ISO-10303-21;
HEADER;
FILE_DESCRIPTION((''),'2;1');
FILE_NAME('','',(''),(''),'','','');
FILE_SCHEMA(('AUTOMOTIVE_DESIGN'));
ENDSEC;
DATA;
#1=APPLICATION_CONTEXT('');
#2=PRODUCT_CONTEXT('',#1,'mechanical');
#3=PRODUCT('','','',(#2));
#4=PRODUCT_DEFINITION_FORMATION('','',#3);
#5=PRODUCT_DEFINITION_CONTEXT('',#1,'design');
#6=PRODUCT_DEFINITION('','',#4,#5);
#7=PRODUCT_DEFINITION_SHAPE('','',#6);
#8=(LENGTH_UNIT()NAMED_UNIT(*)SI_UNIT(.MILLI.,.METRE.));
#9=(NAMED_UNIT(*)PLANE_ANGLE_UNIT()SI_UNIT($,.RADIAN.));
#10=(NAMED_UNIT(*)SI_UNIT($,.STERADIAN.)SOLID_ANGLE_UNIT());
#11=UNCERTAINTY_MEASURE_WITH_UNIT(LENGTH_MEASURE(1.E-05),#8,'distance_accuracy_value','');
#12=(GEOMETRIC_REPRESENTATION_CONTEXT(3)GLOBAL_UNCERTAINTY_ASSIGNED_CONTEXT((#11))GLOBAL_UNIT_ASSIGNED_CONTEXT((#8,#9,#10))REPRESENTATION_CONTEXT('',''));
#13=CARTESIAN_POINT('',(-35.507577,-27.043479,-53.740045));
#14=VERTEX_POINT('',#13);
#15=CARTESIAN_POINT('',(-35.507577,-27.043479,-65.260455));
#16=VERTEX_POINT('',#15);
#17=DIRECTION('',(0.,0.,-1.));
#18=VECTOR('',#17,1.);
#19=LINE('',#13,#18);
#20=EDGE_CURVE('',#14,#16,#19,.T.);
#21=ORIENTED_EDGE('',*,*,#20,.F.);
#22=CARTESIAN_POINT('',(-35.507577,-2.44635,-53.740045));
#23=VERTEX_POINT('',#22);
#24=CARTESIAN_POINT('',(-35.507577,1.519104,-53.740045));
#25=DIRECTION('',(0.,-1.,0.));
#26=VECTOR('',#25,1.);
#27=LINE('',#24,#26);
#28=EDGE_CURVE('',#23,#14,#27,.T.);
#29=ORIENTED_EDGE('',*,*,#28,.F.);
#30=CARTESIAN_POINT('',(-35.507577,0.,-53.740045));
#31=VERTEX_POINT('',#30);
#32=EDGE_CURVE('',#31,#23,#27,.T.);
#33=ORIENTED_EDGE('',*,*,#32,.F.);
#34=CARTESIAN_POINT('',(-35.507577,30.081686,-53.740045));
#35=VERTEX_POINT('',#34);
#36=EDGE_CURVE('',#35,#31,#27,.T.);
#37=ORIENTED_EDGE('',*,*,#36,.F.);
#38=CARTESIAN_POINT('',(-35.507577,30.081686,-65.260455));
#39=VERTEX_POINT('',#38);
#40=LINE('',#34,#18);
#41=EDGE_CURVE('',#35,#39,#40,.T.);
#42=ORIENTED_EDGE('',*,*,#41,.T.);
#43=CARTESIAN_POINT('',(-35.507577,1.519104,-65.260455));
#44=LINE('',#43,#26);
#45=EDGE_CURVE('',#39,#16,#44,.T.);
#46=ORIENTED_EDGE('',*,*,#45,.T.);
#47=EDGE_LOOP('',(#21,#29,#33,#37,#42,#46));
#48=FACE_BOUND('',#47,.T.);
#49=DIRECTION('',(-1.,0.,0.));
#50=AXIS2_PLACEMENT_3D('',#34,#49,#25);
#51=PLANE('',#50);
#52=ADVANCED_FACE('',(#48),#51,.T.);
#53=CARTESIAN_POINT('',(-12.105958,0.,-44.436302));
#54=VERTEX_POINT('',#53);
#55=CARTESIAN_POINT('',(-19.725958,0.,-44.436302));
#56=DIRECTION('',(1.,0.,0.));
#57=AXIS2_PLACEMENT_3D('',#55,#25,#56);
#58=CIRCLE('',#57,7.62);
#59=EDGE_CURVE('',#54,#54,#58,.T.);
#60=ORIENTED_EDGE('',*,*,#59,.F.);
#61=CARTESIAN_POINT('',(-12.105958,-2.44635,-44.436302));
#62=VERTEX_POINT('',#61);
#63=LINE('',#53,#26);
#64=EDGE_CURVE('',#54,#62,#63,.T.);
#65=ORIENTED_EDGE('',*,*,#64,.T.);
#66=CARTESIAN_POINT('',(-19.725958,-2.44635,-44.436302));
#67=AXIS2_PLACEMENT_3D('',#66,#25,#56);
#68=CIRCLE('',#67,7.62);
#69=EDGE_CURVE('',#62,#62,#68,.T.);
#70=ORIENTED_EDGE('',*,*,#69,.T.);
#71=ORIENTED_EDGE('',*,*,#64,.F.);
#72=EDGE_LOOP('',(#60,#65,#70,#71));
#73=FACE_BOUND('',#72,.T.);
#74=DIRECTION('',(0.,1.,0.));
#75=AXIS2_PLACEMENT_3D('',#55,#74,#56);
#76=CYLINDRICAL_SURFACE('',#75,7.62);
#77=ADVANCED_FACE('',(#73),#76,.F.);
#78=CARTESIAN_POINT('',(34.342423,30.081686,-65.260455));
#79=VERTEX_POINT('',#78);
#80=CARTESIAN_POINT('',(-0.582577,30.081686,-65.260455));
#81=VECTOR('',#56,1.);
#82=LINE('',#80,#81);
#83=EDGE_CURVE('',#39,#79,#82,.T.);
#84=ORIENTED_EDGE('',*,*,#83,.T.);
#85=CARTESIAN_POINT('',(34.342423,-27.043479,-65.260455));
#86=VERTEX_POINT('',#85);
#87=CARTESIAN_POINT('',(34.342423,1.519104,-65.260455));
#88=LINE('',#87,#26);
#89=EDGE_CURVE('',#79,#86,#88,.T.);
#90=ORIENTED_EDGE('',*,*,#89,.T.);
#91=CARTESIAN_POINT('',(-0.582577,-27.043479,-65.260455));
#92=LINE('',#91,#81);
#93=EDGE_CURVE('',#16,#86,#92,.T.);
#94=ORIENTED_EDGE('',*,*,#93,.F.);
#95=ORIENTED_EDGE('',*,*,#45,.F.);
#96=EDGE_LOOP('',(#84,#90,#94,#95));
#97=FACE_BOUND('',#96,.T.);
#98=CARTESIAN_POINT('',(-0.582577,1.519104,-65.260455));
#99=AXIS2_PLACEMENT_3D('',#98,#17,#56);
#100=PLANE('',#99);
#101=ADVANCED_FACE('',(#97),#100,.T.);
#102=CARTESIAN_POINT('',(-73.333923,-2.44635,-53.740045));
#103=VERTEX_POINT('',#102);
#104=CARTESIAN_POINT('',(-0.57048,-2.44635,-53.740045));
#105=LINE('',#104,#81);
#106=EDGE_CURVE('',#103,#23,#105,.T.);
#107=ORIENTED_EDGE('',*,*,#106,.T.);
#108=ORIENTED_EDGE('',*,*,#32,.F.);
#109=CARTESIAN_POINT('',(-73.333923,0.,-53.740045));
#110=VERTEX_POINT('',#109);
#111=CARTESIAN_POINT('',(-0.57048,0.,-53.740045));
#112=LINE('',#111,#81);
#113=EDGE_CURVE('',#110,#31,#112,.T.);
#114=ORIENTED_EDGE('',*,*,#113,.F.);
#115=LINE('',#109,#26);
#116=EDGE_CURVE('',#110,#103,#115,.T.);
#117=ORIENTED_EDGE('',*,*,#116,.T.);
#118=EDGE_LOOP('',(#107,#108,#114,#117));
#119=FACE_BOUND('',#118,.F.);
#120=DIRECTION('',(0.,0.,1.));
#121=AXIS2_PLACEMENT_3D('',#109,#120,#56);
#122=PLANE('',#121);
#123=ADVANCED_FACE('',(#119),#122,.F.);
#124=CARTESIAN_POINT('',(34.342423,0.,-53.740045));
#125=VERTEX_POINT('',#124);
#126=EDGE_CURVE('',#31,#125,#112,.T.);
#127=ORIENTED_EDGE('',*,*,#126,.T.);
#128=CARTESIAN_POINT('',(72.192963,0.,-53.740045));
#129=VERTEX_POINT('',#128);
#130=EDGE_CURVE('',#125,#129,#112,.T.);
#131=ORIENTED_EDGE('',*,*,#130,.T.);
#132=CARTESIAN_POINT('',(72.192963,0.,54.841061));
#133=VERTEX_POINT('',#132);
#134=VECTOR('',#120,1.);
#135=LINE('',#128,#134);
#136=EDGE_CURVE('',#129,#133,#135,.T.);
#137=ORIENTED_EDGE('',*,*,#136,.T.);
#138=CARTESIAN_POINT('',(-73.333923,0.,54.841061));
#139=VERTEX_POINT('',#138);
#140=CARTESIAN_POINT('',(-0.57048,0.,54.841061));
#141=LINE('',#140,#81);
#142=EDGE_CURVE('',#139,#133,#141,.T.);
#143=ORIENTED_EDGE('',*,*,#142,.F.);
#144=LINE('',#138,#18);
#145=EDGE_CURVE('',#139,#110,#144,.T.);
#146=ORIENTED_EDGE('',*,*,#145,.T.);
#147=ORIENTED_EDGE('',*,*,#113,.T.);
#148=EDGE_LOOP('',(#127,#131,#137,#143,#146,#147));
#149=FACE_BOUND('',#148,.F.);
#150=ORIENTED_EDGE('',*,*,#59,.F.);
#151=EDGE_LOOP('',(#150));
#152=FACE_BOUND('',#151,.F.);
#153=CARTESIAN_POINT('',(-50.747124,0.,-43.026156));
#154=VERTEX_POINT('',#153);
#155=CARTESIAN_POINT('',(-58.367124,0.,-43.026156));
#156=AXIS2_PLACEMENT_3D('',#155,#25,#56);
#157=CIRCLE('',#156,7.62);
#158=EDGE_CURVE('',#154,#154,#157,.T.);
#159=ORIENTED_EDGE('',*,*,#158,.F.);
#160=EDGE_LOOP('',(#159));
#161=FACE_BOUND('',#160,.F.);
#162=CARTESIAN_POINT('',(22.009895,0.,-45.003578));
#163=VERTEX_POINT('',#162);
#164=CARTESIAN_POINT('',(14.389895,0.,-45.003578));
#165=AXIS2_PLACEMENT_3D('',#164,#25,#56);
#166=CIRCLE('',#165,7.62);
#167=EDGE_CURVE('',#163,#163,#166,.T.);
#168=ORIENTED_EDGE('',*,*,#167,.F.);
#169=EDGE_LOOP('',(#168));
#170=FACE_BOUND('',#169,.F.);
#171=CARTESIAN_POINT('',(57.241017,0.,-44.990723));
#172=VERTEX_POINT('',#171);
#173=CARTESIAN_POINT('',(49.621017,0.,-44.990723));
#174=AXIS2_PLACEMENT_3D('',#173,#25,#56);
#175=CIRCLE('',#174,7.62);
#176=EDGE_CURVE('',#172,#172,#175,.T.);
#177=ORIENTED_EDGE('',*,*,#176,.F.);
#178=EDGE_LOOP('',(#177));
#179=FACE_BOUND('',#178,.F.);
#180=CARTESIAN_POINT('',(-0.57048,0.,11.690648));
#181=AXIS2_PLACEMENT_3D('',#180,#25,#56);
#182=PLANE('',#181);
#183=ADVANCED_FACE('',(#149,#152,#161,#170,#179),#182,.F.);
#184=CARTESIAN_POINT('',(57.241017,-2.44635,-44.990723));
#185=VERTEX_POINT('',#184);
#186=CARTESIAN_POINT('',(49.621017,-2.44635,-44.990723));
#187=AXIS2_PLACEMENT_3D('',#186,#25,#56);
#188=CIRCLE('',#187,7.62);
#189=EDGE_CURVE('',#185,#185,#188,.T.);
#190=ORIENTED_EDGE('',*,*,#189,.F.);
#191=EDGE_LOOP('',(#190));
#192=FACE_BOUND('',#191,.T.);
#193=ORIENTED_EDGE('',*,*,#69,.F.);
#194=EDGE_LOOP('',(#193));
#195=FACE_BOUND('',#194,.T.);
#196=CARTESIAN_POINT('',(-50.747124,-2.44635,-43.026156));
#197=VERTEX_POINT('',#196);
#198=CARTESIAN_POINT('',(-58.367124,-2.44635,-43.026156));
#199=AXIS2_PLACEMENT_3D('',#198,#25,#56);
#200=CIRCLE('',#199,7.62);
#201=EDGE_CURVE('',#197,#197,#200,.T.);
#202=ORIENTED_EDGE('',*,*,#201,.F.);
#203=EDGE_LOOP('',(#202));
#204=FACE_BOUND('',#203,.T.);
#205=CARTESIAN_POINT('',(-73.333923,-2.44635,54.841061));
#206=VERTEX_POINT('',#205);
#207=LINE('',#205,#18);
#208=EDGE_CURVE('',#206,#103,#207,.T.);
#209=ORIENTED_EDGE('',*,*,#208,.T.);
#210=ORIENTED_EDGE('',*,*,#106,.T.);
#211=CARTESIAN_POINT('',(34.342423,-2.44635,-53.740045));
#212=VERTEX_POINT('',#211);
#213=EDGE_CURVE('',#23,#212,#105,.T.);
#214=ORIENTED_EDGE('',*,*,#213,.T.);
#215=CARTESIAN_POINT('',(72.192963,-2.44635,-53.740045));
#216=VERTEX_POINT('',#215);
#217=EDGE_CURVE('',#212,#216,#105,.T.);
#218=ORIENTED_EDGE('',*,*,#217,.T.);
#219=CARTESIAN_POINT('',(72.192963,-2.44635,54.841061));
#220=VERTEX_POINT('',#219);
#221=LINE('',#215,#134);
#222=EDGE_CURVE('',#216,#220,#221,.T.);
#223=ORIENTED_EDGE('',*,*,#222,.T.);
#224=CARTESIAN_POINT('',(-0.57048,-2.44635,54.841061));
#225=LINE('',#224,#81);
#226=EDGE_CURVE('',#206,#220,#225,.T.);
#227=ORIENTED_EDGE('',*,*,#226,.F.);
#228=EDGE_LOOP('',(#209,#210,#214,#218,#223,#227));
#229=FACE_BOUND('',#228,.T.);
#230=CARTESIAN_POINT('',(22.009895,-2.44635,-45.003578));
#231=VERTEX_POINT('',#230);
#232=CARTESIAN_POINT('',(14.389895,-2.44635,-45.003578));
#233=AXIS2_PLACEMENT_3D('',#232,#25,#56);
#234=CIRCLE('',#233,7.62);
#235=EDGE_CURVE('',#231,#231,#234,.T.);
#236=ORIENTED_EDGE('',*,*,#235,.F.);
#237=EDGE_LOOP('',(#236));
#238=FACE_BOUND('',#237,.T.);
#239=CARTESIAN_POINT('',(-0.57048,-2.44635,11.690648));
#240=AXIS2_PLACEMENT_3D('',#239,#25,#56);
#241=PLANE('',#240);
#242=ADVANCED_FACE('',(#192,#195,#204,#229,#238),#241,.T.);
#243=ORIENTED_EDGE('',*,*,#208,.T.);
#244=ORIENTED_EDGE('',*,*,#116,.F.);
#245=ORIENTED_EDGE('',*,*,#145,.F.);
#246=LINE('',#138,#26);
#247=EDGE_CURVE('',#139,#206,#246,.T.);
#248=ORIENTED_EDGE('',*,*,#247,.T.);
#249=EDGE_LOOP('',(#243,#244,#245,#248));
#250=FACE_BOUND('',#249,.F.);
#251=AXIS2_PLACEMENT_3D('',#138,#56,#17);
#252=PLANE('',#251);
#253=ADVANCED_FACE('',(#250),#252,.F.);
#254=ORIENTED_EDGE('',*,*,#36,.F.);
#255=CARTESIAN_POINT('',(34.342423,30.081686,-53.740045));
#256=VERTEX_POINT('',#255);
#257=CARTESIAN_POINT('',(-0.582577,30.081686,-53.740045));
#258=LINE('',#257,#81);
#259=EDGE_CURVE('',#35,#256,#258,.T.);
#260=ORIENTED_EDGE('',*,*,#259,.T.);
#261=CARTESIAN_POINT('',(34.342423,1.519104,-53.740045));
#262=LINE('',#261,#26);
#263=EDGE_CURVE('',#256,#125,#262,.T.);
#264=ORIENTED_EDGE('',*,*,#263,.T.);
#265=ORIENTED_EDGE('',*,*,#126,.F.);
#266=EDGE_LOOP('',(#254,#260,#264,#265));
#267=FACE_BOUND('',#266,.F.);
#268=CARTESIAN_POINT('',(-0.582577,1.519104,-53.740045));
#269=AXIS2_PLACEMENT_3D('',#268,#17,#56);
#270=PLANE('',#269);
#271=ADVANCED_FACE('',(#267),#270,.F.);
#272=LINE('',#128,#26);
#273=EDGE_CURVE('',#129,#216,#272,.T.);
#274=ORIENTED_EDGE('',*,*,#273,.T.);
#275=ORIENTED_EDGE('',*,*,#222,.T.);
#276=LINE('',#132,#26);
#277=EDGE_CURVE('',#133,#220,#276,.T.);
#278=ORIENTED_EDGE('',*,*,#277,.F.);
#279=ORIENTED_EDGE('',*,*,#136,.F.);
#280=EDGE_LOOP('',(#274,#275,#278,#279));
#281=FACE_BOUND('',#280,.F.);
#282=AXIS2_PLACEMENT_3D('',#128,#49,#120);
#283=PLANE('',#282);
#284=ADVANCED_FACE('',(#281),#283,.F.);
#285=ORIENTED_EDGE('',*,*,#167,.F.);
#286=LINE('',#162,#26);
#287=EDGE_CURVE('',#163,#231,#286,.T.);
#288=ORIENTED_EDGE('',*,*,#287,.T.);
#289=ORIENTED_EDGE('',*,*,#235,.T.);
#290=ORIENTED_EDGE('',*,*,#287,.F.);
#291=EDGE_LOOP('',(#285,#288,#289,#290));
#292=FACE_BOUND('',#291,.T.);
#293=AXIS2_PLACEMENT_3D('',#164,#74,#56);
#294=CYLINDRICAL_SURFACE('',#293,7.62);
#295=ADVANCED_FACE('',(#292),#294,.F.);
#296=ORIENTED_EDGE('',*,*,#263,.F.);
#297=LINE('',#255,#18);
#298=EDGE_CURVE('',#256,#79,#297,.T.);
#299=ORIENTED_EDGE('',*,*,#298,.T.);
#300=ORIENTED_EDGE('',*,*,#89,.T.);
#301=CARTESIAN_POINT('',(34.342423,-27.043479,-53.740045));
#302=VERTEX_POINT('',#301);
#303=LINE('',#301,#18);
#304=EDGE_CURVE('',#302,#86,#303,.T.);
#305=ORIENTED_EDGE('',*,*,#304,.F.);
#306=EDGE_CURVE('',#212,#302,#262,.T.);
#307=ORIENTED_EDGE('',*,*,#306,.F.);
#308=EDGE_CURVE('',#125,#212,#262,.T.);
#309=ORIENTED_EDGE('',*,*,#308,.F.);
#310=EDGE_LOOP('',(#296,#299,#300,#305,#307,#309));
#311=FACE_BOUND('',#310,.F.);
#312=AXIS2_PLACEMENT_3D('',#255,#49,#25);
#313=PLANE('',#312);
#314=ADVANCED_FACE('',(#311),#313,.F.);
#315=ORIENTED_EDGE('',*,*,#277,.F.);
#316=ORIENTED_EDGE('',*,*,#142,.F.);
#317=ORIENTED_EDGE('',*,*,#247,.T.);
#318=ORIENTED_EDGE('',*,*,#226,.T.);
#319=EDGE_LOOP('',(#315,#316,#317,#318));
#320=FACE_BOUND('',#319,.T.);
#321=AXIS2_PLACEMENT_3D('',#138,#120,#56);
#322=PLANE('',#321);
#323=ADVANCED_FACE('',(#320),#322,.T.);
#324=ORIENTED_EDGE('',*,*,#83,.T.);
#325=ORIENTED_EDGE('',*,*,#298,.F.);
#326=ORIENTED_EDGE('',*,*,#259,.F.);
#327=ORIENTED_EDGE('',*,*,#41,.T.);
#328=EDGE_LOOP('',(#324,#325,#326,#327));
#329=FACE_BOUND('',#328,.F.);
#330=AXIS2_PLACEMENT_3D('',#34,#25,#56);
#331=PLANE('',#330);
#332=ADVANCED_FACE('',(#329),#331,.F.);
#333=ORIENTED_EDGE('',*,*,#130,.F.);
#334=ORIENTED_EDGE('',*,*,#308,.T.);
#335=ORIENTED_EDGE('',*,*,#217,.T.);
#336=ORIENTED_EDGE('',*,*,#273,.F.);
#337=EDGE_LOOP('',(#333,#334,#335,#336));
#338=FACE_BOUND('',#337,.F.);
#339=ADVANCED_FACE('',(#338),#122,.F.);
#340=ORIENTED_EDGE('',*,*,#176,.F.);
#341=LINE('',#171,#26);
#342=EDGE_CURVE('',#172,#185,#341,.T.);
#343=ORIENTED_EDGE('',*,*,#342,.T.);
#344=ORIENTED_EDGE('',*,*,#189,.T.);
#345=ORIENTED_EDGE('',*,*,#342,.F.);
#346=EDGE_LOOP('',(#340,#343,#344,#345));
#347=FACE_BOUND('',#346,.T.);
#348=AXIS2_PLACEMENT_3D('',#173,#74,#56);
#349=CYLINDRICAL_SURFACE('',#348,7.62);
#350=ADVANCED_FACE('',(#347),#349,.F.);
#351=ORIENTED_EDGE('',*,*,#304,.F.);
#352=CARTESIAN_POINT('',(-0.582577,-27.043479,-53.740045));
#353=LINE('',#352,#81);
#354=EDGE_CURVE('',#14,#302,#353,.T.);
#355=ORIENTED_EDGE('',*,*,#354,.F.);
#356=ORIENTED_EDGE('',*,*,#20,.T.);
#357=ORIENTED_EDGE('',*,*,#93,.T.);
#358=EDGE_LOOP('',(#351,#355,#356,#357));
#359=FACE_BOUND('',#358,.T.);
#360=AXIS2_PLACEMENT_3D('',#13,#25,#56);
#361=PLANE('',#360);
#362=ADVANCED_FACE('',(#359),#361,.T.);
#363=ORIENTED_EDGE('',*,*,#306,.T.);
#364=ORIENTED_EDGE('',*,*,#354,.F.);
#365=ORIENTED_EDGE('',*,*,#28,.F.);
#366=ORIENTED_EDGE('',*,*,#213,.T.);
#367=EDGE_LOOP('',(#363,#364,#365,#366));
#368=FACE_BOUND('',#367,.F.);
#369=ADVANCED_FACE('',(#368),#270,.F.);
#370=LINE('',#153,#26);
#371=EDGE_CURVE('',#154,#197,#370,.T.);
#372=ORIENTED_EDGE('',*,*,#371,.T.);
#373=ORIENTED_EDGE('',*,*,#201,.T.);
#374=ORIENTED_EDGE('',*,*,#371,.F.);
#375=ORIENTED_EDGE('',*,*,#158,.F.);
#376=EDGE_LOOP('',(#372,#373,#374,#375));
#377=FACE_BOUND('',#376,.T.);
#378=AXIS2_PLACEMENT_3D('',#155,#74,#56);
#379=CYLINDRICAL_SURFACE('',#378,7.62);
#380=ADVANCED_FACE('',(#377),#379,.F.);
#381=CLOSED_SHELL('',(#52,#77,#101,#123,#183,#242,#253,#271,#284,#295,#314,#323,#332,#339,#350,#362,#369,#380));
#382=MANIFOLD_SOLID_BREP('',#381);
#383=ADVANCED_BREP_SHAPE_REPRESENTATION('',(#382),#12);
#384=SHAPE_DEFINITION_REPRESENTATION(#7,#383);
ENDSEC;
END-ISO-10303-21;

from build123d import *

# Parameters (mm, degrees)
F0_W     = 145.5268859315
F0_H     = 86.3008252195
F0_H_2   = 22.2802811749
F0_R     = 7.62
F1_DEPTH = 2.44635
F2_W     = 69.85
F2_H     = 57.1251641959
F3_DEPTH = 11.52041


with BuildPart() as f1:
    # F0 (on Front) → F1 (new body)
    with BuildSketch(Plane.XZ):
        with Locations((-0.5704797804, 11.6906483335)):
            Rectangle(F0_W, F0_H)
        with Locations((-0.5704797804, -42.5999048637)):
            Rectangle(F0_W, F0_H_2)
        with Locations((-58.3671236486, -43.0261560236)):
            Circle(F0_R, mode=Mode.SUBTRACT)
        with Locations((-19.7259581645, -44.4363020802)):
            Circle(F0_R, mode=Mode.SUBTRACT)
        with Locations((14.3898947656, -45.0035775064)):
            Circle(F0_R, mode=Mode.SUBTRACT)
        with Locations((49.6210166898, -44.9907229202)):
            Circle(F0_R, mode=Mode.SUBTRACT)
    extrude(amount=F1_DEPTH)

    # F2 (on face) → F3 (join)
    with BuildSketch(Plane(origin=(0, 0, -53.7400454511), x_dir=(1, 0, 0), z_dir=(0, 0, -1))):
        with Locations((-0.5825769186, -1.5191035345)):
            Rectangle(F2_W, F2_H)
    extrude(amount=F3_DEPTH)


solid = f1.part
